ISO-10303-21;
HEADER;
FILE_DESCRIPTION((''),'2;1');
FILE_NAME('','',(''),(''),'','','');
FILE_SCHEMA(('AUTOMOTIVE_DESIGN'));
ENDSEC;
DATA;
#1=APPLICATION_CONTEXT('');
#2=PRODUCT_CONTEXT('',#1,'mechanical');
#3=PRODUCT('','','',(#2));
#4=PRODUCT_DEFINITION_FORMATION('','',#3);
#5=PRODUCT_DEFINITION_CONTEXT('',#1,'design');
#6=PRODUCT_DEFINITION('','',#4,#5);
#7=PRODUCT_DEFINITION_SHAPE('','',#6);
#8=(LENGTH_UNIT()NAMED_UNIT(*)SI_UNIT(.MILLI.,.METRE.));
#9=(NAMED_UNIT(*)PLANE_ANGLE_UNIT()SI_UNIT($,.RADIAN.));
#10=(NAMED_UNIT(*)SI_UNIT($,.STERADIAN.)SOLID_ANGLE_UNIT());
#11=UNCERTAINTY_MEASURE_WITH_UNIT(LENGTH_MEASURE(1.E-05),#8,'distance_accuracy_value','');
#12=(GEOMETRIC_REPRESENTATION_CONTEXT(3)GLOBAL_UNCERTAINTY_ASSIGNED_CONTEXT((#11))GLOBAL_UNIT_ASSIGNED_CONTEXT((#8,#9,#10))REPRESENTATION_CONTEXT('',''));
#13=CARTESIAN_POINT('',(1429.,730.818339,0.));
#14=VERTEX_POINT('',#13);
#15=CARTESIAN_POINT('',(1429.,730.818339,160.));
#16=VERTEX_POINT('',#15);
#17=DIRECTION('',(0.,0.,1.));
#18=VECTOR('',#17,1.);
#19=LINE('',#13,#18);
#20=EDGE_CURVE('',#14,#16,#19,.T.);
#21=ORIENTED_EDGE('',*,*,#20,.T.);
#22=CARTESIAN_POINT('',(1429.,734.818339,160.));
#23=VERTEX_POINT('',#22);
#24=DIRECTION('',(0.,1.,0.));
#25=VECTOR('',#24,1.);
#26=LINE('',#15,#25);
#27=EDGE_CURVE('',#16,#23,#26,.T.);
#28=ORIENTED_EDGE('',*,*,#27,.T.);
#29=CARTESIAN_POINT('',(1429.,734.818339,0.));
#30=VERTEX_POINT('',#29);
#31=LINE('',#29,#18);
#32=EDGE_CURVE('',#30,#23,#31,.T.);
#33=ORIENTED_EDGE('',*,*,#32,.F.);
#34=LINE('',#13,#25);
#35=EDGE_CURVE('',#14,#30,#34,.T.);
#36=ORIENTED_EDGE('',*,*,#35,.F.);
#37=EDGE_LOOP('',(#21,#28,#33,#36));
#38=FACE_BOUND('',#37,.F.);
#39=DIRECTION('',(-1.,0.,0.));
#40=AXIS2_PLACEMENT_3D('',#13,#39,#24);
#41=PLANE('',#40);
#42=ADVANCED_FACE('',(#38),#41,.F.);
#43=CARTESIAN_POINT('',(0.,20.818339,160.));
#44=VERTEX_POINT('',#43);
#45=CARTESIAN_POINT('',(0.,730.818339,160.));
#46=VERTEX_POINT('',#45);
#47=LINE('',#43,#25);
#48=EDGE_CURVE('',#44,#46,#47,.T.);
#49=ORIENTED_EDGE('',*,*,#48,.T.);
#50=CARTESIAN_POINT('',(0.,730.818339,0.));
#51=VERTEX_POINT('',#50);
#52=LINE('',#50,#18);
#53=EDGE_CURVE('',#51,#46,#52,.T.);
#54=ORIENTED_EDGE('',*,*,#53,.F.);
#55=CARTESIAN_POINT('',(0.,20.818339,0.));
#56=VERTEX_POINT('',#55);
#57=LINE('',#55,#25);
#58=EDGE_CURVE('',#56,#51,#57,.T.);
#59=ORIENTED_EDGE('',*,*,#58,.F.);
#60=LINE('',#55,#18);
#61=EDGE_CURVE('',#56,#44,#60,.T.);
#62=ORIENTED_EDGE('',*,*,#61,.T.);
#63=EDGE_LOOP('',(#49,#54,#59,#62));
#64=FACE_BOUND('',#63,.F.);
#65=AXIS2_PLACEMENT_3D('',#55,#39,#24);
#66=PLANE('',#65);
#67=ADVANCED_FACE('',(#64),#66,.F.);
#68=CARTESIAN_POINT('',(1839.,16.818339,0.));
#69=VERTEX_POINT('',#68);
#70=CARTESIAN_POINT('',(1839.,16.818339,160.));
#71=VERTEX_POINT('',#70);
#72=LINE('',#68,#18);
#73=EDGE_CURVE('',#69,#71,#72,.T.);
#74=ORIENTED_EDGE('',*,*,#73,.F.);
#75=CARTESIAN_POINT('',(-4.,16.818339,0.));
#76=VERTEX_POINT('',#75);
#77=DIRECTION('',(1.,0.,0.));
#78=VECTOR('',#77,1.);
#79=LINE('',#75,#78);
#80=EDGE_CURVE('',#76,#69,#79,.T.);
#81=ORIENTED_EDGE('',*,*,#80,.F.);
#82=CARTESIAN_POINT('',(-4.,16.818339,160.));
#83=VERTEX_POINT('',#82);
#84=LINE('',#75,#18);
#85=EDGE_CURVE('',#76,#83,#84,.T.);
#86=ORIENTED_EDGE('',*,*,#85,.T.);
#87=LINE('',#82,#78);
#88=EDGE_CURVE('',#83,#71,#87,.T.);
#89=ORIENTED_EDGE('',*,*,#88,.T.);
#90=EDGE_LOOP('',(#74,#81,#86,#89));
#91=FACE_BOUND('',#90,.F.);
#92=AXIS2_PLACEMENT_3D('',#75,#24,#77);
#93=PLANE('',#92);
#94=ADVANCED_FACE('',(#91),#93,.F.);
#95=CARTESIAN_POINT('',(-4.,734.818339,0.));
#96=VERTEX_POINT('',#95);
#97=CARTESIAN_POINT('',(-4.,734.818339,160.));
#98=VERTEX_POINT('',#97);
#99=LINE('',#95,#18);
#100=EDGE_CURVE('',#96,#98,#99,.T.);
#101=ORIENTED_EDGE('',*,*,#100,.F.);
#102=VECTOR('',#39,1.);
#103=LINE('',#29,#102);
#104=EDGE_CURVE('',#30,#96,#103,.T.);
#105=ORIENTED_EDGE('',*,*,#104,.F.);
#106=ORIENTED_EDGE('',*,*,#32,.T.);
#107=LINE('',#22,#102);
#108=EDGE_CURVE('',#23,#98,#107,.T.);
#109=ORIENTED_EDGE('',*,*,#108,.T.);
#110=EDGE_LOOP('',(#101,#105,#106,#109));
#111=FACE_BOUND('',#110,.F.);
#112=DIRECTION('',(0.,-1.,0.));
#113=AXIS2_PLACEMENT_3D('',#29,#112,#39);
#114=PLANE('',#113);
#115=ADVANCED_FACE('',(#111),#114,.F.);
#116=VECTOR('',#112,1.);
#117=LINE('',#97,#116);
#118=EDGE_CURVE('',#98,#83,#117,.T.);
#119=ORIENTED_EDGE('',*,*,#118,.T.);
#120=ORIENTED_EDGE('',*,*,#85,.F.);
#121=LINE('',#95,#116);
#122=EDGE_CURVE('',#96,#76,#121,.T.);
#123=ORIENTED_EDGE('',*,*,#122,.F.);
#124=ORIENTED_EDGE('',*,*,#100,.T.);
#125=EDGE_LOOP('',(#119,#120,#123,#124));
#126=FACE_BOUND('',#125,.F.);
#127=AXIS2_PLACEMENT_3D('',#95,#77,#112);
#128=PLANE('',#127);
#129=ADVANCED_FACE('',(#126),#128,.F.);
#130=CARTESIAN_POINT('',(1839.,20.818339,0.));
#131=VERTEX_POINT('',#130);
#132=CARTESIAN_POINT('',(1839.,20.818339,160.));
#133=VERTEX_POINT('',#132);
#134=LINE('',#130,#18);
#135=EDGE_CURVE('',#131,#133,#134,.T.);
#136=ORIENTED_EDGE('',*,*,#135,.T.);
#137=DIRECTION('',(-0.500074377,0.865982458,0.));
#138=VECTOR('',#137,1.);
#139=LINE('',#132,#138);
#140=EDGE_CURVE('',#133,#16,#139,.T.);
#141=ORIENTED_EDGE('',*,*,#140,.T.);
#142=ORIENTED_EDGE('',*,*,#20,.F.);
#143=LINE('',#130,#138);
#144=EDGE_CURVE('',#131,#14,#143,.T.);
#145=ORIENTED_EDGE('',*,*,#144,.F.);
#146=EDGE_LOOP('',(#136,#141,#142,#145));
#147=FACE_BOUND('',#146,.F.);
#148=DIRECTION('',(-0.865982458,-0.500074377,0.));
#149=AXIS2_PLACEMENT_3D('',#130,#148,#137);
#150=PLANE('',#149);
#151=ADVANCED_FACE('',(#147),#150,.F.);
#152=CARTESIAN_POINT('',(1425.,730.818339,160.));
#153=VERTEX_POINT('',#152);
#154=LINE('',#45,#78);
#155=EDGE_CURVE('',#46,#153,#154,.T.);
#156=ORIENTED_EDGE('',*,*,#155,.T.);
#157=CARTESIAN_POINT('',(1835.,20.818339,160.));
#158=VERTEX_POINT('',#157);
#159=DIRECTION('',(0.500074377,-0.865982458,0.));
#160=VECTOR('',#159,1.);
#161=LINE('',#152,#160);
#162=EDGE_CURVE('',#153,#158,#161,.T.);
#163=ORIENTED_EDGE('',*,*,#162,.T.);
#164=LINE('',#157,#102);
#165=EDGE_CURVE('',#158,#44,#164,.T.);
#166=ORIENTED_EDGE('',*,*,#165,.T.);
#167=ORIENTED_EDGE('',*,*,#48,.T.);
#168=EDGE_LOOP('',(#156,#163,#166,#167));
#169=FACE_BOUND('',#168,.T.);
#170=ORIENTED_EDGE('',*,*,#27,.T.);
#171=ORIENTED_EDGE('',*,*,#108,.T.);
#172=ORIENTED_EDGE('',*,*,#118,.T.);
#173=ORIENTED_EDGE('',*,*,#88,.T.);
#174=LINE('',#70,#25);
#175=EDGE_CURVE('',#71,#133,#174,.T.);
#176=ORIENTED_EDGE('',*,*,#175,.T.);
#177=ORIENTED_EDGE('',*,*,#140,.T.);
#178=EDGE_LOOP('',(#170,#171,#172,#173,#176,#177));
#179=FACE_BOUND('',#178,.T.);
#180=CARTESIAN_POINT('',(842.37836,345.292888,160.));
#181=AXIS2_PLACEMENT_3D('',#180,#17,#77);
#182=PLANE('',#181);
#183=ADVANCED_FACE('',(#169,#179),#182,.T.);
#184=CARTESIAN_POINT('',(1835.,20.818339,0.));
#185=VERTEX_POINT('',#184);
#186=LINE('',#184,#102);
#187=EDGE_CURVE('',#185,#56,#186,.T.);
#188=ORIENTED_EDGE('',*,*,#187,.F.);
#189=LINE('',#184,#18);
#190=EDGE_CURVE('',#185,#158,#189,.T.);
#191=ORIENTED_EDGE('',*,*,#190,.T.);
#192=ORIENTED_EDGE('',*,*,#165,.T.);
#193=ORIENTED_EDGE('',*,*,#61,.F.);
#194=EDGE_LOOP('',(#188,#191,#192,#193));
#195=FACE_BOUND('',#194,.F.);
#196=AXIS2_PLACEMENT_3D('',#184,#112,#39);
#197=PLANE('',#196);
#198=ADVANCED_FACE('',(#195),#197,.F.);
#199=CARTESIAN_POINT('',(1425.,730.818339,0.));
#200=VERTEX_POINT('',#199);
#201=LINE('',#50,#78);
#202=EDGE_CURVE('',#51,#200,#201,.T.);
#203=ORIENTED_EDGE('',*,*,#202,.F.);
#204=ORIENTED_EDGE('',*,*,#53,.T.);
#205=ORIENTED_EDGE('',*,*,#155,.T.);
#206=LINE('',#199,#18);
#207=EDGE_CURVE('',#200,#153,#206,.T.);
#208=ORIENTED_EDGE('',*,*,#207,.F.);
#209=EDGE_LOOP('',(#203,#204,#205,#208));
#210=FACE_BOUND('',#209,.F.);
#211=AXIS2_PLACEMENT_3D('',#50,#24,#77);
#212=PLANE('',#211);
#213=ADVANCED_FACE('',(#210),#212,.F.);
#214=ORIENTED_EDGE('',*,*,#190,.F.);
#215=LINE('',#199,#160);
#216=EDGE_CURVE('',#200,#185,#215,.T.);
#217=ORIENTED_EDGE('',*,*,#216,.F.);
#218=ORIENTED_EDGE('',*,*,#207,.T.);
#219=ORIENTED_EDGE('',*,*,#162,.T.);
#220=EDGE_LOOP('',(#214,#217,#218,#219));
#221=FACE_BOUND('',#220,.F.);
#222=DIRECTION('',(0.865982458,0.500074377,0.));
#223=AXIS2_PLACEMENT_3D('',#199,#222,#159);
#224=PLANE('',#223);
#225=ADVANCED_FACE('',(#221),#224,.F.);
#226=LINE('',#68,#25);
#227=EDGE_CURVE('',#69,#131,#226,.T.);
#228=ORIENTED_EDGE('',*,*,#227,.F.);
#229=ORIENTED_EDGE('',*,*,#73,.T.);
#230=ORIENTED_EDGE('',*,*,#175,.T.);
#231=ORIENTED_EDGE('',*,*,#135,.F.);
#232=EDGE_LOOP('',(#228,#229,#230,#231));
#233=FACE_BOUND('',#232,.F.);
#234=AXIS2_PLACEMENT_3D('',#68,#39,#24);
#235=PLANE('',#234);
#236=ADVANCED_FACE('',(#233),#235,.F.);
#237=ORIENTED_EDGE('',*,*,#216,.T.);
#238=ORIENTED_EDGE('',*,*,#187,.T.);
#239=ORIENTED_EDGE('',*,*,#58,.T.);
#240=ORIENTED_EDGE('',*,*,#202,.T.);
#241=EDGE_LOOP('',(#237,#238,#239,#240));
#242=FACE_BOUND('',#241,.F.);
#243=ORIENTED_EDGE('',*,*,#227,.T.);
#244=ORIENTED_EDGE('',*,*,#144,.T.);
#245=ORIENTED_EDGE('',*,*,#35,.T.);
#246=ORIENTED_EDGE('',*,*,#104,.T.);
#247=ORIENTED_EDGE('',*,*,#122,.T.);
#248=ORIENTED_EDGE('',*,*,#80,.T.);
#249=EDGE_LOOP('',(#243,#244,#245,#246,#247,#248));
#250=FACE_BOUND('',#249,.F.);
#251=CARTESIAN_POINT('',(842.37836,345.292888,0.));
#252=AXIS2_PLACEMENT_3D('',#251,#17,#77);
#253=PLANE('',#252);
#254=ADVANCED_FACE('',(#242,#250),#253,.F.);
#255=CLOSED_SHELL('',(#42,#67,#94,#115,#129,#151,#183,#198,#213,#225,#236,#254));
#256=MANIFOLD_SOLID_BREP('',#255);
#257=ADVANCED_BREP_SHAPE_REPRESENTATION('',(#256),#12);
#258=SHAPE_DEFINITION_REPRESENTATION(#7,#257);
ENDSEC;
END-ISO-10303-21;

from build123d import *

# Parameters (mm, degrees)
F1_DEPTH = 160


with BuildPart() as f1:
    # F0 (on Top) → F1 (new body)
    with BuildSketch(Plane.XY):
        Polygon((-4, 16.818339), (0, 16.818339), (1835, 16.818339), (1839, 16.818339), (1839, 20.818339), (1429, 730.818339), (1429, 734.818339), (1426.690141, 734.818339), (1425, 734.818339), (0, 734.818339), (-4, 734.818339), (-4, 730.818339), (-4, 20.818339), align=None)
        Polygon((1835, 20.818339), (0, 20.818339), (0, 730.818339), (1425, 730.818339), align=None, mode=Mode.SUBTRACT)
    extrude(amount=F1_DEPTH)


solid = f1.part
